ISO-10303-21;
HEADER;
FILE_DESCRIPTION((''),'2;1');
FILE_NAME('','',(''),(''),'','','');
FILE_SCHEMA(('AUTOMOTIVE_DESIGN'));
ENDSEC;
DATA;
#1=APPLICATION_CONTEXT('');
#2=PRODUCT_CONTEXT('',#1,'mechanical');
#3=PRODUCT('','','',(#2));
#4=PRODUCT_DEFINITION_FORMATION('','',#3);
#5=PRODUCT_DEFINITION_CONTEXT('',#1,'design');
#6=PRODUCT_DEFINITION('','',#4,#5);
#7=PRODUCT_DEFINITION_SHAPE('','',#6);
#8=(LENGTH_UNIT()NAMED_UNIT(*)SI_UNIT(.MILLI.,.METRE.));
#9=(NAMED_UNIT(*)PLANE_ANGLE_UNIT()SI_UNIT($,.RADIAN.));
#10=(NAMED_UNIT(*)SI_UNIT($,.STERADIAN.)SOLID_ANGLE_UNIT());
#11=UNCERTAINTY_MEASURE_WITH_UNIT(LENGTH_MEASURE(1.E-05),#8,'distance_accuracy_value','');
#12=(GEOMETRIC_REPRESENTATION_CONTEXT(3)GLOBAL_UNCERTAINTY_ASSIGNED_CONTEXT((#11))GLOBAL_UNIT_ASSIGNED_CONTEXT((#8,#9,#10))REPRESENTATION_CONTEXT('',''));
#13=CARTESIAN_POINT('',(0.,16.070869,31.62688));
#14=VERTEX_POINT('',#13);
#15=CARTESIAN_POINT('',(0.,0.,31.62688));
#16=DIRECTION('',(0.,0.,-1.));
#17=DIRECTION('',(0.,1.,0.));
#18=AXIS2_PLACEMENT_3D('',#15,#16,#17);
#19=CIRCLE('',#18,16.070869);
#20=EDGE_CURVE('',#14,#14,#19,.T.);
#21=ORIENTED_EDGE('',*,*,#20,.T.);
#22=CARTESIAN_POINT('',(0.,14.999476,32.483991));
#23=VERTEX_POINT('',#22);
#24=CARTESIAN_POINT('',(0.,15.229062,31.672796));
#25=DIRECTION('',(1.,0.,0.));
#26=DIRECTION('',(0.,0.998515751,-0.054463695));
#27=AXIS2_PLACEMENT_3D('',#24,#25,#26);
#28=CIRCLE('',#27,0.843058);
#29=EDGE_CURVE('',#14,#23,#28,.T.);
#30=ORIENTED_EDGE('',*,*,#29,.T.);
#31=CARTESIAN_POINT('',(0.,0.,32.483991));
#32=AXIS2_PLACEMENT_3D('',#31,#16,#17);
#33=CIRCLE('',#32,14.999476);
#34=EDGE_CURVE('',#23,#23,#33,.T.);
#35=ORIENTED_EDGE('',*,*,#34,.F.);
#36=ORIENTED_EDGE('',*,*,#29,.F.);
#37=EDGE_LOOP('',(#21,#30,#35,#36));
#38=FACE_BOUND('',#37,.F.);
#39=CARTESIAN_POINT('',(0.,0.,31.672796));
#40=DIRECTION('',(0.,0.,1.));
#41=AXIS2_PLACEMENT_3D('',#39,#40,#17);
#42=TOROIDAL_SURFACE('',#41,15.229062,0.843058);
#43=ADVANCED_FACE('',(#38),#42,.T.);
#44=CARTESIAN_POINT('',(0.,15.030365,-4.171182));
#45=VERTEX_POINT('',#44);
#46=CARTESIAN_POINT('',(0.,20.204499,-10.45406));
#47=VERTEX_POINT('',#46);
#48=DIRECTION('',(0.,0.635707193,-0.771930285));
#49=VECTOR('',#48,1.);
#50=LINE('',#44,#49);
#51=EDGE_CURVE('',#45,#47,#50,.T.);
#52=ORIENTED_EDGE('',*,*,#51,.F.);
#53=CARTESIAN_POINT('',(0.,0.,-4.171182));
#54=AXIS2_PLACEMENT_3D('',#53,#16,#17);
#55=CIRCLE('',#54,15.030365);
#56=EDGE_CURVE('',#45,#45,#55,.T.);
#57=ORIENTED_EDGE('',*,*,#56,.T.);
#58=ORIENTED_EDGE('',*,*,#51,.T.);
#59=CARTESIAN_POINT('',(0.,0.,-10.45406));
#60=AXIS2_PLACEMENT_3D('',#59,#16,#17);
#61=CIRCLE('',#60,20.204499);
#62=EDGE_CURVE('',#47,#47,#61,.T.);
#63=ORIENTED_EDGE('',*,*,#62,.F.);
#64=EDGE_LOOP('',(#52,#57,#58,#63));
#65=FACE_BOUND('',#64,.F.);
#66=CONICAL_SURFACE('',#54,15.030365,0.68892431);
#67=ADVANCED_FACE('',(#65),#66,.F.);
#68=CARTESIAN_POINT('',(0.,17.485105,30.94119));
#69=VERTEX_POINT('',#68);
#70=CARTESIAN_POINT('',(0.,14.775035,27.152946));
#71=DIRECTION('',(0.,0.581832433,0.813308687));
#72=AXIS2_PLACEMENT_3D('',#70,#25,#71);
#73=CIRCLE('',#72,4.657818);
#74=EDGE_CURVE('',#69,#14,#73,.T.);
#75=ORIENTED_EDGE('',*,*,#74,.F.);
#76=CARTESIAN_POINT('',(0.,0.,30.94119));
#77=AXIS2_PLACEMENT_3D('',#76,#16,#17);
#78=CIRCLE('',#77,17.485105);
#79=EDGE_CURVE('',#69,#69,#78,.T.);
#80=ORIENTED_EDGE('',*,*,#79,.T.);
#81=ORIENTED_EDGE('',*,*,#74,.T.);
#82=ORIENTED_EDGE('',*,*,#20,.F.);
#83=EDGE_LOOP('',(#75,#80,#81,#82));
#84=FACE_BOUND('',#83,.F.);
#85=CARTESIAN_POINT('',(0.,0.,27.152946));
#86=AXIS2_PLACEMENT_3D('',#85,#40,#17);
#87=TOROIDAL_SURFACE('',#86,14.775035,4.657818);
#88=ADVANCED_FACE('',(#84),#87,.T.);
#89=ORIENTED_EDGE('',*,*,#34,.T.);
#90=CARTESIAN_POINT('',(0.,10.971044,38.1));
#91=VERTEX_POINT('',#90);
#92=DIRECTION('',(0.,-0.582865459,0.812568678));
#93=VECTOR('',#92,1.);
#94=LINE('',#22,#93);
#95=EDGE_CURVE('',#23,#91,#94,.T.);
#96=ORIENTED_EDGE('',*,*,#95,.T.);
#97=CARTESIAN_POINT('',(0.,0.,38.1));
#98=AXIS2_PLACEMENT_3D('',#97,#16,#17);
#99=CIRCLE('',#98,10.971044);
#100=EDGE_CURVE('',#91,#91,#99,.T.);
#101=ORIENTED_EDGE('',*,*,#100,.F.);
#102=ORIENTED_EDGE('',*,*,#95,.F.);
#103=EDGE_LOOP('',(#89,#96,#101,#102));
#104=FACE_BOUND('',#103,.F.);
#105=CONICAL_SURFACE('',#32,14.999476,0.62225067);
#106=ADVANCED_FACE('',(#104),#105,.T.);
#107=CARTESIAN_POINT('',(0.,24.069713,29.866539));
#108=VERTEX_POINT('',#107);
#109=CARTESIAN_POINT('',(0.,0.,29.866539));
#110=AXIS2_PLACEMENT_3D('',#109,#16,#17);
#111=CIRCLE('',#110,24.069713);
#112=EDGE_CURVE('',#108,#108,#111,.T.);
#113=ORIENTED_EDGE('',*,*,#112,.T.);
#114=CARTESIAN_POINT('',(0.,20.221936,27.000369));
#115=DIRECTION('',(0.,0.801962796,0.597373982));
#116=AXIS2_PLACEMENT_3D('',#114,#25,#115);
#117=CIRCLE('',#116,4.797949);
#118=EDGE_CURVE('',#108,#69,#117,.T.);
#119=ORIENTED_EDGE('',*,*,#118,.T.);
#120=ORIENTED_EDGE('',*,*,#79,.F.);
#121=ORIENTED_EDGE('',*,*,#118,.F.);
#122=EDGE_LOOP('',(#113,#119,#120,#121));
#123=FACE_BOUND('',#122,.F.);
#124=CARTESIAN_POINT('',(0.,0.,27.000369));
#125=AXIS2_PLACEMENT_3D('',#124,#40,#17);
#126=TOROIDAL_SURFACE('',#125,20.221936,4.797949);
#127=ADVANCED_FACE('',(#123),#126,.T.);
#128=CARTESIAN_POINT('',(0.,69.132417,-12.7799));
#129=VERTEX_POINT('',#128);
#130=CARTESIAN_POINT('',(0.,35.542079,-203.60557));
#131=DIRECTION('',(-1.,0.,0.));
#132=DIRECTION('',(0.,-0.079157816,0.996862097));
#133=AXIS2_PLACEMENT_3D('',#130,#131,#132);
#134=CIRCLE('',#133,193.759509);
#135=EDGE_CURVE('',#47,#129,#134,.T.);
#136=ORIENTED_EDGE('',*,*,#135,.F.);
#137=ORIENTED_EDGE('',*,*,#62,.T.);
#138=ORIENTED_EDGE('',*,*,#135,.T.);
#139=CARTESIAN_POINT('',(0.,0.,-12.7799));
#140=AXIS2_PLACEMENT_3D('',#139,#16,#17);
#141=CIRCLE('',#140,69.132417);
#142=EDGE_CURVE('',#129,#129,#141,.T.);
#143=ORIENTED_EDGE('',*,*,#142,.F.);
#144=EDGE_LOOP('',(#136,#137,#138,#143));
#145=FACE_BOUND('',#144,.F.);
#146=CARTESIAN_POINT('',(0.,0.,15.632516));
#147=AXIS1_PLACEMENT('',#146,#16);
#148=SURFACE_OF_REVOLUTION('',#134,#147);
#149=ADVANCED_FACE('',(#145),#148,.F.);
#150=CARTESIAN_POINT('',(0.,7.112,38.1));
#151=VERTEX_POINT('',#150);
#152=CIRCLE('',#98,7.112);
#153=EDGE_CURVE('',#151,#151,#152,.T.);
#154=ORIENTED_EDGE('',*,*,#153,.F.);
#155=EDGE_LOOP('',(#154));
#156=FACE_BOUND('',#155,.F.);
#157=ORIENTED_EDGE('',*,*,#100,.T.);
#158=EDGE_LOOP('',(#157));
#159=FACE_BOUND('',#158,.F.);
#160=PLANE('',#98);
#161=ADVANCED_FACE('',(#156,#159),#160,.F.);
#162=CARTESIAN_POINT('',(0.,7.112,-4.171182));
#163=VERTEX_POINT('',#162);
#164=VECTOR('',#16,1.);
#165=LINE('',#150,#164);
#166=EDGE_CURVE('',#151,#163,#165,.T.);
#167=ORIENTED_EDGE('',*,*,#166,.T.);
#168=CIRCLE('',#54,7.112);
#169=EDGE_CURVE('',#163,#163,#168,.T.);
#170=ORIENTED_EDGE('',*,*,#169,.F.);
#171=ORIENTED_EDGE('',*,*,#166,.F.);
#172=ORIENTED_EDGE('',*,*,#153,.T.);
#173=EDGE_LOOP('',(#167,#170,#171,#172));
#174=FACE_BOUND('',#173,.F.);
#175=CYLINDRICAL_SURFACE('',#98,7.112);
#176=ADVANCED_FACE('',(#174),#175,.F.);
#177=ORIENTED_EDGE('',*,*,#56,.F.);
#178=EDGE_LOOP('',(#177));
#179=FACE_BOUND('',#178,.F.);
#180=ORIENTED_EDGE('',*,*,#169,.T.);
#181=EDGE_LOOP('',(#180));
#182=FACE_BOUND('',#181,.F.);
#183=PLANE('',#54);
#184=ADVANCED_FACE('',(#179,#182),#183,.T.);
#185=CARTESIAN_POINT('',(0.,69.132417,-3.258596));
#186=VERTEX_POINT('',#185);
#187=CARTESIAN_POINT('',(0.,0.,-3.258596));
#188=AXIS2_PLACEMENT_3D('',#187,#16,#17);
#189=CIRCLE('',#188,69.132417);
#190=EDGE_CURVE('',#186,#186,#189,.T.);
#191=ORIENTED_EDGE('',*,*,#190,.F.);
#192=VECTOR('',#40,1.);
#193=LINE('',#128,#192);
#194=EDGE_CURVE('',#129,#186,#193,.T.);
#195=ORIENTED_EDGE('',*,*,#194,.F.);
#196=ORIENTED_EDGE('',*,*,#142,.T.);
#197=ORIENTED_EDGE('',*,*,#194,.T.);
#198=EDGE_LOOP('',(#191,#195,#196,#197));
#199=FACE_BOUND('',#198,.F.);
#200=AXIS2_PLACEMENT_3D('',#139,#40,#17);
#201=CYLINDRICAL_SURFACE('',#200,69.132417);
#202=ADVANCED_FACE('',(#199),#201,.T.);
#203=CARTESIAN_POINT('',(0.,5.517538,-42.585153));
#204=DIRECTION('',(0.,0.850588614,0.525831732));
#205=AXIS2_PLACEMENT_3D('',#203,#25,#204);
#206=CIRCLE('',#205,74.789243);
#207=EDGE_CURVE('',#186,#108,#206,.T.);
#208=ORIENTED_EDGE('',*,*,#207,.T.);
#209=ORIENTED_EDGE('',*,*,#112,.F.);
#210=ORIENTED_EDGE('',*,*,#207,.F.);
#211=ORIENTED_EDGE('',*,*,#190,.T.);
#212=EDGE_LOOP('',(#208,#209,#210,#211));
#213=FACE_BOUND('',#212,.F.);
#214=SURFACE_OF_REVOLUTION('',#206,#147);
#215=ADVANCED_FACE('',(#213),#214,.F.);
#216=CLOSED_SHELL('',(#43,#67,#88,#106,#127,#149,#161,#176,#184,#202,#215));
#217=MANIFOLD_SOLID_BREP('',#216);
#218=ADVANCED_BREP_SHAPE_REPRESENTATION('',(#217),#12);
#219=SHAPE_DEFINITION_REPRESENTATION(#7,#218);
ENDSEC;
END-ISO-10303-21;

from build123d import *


with BuildPart() as f1:
    # F0 (on Right) → F1 (revolve)
    with BuildSketch(Plane.YZ):
        with BuildLine():
            Line((7.112, 38.1), (7.112, 0))
            Line((7.112, 0), (7.112, -4.171182))
            Line((7.112, -4.171182), (15.030365, -4.171182))
            Line((15.030365, -4.171182), (20.204499, -10.45406))
            ThreePointArc((20.204499, -10.45406), (44.742252, -10.064608), (69.132417, -12.7799))
            Line((69.132417, -12.7799), (69.132417, -3.258596))
            ThreePointArc((69.132417, -3.258596), (49.813981, 17.674751), (24.069713, 29.866539))
            ThreePointArc((24.069713, 29.866539), (20.994768, 31.735667), (17.485105, 30.94119))
            ThreePointArc((17.485105, 30.94119), (16.807117, 31.344117), (16.070869, 31.62688))
            ThreePointArc((16.070869, 31.62688), (15.755715, 32.331115), (14.999476, 32.483991))
            Line((14.999476, 32.483991), (10.971044, 38.1))
            Line((10.971044, 38.1), (7.112, 38.1))
        make_face()
    revolve(axis=Axis((0, 0, 15.632516), (0, 0, -1)))


solid = f1.part
